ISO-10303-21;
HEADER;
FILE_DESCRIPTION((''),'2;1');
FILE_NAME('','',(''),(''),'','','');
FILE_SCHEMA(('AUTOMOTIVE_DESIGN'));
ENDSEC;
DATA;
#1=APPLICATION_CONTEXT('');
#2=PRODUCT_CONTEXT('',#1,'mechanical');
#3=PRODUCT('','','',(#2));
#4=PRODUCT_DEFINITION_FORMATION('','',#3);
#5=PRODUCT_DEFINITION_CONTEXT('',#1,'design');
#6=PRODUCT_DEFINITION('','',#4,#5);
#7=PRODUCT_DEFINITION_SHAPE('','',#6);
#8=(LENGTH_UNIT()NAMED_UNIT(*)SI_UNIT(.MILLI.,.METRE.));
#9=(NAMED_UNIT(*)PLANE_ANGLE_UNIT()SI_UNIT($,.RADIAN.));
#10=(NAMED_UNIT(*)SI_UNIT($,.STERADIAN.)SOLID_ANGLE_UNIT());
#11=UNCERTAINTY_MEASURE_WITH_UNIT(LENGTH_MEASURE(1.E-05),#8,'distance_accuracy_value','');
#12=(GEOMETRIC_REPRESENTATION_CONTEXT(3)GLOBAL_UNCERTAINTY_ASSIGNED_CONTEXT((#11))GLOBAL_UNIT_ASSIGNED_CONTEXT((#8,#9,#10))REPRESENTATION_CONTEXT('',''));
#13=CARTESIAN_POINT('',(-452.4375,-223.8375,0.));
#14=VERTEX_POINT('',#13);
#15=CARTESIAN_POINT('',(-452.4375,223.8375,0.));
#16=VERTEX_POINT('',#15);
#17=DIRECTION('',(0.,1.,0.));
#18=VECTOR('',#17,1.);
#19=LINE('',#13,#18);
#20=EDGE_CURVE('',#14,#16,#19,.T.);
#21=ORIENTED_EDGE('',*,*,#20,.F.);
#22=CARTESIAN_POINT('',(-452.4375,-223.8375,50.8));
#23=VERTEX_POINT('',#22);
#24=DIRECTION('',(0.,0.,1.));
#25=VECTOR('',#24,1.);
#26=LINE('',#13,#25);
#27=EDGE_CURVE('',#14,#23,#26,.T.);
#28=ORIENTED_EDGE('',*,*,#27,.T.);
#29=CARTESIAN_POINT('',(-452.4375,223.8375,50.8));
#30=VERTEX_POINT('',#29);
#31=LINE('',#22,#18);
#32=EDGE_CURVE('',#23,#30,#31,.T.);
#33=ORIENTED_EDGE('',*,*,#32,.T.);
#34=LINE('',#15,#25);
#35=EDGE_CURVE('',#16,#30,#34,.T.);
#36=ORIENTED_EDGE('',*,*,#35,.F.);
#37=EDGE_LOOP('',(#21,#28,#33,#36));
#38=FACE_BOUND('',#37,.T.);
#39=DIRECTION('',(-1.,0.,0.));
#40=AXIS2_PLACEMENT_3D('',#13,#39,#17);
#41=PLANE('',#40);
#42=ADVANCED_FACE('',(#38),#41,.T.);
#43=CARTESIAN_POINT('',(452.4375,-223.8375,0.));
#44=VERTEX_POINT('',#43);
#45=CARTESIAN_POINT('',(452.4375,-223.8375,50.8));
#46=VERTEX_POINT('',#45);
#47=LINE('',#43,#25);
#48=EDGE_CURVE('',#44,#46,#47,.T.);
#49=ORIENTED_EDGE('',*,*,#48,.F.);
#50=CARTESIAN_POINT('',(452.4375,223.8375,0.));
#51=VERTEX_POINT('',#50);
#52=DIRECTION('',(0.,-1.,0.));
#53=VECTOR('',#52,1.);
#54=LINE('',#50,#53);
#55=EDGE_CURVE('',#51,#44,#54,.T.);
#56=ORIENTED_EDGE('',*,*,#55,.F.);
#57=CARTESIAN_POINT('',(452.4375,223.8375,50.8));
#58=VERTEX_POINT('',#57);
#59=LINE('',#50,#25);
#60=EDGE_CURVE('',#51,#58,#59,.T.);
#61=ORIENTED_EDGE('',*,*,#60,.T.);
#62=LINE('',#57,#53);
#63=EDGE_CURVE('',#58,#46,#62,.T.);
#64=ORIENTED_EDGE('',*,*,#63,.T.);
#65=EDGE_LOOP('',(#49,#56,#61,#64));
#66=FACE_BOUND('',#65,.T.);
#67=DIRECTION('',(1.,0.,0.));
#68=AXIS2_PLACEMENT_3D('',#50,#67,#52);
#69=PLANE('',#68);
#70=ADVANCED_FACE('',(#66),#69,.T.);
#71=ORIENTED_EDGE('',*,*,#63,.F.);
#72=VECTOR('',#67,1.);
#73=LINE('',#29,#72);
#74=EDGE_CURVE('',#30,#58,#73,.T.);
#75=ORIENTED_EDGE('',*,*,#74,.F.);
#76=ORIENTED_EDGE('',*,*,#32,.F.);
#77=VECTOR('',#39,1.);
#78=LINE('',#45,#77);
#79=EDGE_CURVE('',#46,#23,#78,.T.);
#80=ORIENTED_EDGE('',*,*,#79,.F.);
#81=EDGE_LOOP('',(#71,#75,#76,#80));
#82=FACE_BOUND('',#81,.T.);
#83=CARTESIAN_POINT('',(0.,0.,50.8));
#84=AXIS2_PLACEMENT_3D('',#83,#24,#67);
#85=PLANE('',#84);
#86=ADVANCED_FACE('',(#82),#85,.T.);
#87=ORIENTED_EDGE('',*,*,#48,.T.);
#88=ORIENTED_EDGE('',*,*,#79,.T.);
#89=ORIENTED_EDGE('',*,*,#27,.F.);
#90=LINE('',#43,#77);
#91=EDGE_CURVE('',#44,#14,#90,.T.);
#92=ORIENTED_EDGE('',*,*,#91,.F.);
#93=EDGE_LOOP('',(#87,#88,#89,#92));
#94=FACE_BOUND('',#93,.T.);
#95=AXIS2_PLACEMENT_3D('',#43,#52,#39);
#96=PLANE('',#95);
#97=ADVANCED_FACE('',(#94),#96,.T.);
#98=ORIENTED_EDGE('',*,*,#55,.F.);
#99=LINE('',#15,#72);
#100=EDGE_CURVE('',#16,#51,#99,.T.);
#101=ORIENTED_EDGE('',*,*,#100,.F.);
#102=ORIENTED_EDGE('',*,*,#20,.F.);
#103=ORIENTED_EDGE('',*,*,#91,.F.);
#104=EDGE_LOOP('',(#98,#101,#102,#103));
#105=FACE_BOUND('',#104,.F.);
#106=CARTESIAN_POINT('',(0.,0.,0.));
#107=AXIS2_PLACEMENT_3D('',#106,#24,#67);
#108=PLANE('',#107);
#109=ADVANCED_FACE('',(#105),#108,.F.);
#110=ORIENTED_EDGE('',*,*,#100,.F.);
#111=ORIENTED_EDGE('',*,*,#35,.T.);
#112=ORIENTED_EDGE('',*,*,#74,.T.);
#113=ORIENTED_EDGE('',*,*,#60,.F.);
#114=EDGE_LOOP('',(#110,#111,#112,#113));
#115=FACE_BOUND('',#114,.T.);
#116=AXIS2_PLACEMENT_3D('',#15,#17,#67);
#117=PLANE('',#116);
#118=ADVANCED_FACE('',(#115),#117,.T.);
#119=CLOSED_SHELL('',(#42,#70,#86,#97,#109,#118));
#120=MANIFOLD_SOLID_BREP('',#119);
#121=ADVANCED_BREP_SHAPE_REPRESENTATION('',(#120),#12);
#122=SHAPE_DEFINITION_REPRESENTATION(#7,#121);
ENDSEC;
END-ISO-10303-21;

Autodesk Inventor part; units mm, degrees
ref_plane "YZ Plane" through (0, 0, 0) normal (1, 0, 0) x (0, 1, 0)
ref_plane "XZ Plane" through (0, 0, 0) normal (0, 1, 0) x (-1, 0, 0)
ref_plane "XY Plane" through (0, 0, 0) normal (0, 0, 1) x (1, 0, 0)
sketch "Sketch1" plane through (0, 0, 0) normal (0, 0, 1) x (1, 0, 0)
  line L0 (-452.4375, 223.8375) -> (452.4375, 223.8375)
  line L1 (452.4375, 223.8375) -> (452.4375, -223.8375)
  line L2 (452.4375, -223.8375) -> (-452.4375, -223.8375)
  line L3 (-452.4375, -223.8375) -> (-452.4375, 223.8375)
  line L4 (-452.4375, 223.8375) -> (452.4375, -223.8375) construction
  line L5 (452.4375, 223.8375) -> (-452.4375, -223.8375) construction
  point P0 (0, 0)
  dimension "d0" = 904.875
  dimension "d1" = 447.675
extrude "Extrusion1" add sketch "Sketch1" along normal blind 50.8
properties part number "13 - panel crnr - 195" material "Granite, Cut, Polished"
